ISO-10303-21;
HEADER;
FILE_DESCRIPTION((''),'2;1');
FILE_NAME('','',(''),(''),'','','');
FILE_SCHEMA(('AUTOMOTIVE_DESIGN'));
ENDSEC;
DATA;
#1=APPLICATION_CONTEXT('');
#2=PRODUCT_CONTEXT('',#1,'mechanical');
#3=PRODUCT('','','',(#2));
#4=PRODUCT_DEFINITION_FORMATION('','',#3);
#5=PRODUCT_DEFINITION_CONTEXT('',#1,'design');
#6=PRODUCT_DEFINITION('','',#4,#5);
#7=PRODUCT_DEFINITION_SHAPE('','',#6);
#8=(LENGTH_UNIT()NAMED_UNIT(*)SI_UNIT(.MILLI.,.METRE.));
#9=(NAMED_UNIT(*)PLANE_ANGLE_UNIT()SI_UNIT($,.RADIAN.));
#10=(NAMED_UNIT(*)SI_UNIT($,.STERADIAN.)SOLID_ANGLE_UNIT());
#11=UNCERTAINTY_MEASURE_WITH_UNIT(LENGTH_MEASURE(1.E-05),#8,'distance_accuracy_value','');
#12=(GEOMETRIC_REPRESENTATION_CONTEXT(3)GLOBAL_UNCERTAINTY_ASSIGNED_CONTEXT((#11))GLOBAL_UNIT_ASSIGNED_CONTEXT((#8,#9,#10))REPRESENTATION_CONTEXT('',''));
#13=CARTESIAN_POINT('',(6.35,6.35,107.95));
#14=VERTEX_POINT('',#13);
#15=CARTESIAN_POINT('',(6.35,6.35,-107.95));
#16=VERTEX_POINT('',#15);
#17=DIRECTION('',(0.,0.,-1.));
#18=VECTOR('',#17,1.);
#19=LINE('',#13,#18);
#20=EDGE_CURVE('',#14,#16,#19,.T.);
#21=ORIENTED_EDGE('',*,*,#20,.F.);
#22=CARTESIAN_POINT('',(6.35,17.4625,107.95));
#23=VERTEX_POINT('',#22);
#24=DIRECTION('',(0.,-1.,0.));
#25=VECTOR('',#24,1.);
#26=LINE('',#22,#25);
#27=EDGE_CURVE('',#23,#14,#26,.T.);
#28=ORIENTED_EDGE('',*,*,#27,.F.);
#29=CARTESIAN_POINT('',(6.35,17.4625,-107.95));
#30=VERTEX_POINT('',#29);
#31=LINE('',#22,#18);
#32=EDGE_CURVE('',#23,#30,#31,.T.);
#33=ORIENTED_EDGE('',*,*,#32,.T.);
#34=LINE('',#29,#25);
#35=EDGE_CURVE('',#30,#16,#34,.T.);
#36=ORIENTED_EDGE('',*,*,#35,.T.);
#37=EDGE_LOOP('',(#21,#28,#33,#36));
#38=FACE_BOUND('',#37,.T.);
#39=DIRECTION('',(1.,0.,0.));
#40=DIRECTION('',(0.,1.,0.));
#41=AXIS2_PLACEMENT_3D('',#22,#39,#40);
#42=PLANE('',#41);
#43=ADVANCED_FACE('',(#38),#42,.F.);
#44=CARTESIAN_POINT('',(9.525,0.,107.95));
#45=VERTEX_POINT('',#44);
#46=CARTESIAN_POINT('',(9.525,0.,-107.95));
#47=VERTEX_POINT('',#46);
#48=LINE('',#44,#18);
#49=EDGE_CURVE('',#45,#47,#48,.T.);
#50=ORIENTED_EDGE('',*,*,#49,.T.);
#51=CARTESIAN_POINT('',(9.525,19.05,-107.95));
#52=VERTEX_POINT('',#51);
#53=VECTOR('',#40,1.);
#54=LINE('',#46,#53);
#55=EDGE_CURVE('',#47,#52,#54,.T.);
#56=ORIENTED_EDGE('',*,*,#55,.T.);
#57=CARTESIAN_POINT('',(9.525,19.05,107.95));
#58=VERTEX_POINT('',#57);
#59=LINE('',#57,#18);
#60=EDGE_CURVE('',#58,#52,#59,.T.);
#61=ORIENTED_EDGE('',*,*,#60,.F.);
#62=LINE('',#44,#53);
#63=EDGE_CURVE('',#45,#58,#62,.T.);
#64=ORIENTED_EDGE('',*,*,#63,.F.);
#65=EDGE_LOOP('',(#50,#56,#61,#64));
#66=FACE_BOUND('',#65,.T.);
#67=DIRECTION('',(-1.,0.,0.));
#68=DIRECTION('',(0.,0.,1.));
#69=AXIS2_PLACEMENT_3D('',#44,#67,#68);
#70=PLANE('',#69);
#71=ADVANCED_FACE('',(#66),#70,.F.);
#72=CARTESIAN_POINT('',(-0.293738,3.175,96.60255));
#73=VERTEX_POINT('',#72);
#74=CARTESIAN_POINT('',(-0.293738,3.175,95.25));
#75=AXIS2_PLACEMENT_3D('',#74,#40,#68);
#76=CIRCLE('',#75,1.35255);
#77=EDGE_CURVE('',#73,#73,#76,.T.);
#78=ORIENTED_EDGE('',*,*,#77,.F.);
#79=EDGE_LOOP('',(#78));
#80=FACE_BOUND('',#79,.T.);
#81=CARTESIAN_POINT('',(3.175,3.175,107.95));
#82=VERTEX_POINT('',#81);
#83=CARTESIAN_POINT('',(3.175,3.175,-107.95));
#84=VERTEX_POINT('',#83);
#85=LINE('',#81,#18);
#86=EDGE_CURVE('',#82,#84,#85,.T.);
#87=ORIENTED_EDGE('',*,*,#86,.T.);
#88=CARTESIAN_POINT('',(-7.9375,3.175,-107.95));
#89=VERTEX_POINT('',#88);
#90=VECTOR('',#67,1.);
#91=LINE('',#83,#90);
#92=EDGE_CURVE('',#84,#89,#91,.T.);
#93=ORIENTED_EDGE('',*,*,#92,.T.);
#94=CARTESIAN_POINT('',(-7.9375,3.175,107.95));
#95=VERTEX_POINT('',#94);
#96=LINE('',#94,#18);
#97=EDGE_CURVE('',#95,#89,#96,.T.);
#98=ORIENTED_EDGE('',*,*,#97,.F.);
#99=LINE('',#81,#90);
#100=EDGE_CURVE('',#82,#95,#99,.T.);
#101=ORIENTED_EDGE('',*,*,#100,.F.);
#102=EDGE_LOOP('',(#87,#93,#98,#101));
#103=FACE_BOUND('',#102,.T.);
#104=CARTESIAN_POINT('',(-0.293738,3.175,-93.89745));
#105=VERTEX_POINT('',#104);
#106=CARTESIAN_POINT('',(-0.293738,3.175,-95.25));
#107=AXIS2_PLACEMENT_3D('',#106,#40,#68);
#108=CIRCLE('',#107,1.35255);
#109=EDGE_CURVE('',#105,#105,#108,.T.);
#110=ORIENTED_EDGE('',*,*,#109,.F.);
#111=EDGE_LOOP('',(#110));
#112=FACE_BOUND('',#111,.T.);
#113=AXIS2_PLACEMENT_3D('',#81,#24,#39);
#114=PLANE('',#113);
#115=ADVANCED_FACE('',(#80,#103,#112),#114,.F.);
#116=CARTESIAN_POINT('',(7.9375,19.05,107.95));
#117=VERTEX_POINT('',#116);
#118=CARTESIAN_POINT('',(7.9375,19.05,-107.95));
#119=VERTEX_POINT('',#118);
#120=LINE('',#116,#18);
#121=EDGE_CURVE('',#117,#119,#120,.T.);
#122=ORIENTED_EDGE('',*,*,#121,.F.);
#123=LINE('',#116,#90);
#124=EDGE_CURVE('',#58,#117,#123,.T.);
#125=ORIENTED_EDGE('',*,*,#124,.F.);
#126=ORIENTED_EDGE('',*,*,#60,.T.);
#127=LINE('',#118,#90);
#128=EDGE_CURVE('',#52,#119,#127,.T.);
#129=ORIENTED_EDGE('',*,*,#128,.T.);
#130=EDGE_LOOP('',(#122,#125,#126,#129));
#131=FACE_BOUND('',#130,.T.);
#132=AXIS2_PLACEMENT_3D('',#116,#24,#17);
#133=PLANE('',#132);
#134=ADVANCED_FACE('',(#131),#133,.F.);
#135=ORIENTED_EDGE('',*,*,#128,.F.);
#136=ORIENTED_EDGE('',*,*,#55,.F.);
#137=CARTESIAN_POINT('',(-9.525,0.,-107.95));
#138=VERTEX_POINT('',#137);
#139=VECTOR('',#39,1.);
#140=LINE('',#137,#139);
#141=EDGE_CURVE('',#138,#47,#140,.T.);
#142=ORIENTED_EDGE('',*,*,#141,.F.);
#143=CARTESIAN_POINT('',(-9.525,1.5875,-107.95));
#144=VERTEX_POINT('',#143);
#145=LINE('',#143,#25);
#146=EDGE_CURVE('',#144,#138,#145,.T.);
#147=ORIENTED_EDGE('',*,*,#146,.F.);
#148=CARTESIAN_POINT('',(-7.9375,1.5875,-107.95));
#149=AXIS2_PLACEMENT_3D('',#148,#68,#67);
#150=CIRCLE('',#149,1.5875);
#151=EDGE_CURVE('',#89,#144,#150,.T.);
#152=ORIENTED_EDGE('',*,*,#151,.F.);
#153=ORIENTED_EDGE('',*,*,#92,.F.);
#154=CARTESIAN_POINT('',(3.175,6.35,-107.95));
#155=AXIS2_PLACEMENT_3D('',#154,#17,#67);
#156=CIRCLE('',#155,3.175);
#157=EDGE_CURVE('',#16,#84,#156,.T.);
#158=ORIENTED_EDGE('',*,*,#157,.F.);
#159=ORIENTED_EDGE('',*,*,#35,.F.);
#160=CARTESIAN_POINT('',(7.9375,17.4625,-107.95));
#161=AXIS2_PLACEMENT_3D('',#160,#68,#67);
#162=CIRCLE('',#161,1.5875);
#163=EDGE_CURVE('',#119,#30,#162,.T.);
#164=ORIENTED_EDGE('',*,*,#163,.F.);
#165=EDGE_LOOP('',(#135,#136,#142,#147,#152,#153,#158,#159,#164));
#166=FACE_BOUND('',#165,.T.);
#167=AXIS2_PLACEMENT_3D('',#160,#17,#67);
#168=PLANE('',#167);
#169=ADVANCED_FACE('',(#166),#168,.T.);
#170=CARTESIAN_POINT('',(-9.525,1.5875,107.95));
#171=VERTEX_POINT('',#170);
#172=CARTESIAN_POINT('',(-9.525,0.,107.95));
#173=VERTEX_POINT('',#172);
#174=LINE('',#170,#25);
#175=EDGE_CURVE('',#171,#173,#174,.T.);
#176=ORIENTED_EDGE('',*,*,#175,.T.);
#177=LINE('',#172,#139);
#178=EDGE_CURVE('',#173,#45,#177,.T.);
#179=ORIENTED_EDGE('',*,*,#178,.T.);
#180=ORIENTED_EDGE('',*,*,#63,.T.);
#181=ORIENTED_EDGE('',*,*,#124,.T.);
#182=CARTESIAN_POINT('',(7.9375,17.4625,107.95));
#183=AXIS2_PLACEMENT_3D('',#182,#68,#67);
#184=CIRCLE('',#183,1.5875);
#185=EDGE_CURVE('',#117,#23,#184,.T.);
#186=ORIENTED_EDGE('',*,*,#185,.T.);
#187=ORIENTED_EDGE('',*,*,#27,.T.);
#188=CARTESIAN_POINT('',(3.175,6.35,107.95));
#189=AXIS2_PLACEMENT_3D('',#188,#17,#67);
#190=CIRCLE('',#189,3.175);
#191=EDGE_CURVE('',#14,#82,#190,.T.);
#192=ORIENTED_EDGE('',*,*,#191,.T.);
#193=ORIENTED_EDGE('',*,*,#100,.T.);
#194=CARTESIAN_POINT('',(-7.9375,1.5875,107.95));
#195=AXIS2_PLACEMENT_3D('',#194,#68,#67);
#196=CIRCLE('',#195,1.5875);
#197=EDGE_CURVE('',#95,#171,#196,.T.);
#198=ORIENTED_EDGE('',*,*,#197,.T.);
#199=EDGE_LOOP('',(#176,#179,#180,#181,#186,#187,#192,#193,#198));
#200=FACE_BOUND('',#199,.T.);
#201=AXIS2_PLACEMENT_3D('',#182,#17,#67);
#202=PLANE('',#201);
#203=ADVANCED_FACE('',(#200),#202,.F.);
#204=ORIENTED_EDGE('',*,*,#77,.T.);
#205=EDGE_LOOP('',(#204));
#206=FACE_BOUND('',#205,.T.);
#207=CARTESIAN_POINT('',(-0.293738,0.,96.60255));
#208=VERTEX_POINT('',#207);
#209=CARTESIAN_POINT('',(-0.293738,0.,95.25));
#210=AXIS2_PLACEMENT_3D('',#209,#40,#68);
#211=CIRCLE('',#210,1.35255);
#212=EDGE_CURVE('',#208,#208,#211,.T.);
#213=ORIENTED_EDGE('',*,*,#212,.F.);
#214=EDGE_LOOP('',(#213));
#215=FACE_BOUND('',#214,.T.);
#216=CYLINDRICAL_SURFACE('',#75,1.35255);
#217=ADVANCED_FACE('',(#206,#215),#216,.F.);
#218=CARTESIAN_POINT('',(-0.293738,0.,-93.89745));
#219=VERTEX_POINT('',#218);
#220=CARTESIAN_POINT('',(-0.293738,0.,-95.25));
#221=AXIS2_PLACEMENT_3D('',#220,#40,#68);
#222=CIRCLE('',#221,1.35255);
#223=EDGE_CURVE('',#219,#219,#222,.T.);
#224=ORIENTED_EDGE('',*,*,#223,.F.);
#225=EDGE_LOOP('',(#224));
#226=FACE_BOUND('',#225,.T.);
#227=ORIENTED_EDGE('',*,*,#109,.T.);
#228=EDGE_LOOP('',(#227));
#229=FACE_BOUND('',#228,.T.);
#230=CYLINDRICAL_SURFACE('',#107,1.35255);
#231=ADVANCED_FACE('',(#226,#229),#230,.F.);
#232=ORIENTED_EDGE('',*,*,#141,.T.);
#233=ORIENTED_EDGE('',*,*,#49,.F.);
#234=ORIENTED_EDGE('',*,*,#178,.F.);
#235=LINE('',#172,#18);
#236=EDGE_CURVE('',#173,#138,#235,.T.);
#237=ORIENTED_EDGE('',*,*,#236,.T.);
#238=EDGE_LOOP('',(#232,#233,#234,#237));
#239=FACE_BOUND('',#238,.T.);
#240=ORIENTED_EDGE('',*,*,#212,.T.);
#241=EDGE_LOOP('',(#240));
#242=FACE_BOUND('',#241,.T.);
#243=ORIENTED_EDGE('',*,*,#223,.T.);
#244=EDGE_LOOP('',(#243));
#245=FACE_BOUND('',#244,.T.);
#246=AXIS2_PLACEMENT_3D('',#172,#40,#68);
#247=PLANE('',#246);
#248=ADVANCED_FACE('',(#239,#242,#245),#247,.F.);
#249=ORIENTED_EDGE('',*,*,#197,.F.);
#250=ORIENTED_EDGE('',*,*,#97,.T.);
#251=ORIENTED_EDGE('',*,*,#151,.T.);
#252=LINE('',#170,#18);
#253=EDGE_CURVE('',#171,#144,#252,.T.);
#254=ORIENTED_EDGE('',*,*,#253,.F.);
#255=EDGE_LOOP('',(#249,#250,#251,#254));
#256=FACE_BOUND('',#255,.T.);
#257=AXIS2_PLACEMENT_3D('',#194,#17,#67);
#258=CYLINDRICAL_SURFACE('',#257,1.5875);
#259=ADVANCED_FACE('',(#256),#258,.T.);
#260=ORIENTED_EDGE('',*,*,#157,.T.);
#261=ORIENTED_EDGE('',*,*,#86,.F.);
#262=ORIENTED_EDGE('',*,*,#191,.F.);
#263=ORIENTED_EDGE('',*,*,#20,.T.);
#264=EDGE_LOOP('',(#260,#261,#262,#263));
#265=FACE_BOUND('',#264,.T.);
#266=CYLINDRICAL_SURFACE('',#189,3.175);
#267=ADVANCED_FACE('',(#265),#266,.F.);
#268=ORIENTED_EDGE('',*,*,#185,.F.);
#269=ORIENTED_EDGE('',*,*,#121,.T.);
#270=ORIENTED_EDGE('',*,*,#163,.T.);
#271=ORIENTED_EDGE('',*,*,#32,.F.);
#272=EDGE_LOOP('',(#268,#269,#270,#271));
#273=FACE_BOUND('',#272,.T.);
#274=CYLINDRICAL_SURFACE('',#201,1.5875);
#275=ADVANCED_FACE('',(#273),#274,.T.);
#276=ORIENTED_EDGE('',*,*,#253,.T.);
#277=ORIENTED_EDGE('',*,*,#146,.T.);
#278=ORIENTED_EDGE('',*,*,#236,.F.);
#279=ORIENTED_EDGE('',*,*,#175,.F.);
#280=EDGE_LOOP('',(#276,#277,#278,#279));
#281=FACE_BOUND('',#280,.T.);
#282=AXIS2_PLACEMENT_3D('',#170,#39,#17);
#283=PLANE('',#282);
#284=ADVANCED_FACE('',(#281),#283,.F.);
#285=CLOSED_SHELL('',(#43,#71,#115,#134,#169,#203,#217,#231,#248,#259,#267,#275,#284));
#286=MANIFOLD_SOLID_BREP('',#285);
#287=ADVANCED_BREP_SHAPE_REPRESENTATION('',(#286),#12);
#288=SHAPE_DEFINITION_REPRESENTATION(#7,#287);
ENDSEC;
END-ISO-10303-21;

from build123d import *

# Parameters (mm, degrees)
BOSS_EXTRUDE1_DEPTH   = 107.95
F_6_32_TAPPED_HOLE1_D = 2.7051


with BuildPart() as part:
    # Sketch2 → Boss-Extrude1 (new, symmetric)
    with BuildSketch(Plane.XY):
        with BuildLine():
            Line((-9.525, 0), (9.525, 0))
            Line((9.525, 0), (9.525, 19.05))
            Line((9.525, 19.05), (7.9375, 19.05))
            ThreePointArc((7.9375, 19.05), (6.814967985, 18.585032015), (6.35, 17.4625))
            Line((6.35, 17.4625), (6.35, 6.35))
            ThreePointArc((6.35, 6.35), (5.42006403, 4.10493597), (3.175, 3.175))
            Line((3.175, 3.175), (-7.9375, 3.175))
            ThreePointArc((-7.9375, 3.175), (-9.060032015, 2.710032015), (-9.525, 1.5875))
            Line((-9.525, 1.5875), (-9.525, 0))
        make_face()
    extrude(amount=BOSS_EXTRUDE1_DEPTH, both=True)

    # #6-32 Tapped Hole1 (through all)
    with Locations(Plane(origin=(0, 3.175, 0), x_dir=(1, 0, 0), z_dir=(0, 1, 0))):
        with Locations((-0.2937383, -95.25), (-0.2937383, 95.25)):
            Hole(F_6_32_TAPPED_HOLE1_D / 2)


solid = part.part
